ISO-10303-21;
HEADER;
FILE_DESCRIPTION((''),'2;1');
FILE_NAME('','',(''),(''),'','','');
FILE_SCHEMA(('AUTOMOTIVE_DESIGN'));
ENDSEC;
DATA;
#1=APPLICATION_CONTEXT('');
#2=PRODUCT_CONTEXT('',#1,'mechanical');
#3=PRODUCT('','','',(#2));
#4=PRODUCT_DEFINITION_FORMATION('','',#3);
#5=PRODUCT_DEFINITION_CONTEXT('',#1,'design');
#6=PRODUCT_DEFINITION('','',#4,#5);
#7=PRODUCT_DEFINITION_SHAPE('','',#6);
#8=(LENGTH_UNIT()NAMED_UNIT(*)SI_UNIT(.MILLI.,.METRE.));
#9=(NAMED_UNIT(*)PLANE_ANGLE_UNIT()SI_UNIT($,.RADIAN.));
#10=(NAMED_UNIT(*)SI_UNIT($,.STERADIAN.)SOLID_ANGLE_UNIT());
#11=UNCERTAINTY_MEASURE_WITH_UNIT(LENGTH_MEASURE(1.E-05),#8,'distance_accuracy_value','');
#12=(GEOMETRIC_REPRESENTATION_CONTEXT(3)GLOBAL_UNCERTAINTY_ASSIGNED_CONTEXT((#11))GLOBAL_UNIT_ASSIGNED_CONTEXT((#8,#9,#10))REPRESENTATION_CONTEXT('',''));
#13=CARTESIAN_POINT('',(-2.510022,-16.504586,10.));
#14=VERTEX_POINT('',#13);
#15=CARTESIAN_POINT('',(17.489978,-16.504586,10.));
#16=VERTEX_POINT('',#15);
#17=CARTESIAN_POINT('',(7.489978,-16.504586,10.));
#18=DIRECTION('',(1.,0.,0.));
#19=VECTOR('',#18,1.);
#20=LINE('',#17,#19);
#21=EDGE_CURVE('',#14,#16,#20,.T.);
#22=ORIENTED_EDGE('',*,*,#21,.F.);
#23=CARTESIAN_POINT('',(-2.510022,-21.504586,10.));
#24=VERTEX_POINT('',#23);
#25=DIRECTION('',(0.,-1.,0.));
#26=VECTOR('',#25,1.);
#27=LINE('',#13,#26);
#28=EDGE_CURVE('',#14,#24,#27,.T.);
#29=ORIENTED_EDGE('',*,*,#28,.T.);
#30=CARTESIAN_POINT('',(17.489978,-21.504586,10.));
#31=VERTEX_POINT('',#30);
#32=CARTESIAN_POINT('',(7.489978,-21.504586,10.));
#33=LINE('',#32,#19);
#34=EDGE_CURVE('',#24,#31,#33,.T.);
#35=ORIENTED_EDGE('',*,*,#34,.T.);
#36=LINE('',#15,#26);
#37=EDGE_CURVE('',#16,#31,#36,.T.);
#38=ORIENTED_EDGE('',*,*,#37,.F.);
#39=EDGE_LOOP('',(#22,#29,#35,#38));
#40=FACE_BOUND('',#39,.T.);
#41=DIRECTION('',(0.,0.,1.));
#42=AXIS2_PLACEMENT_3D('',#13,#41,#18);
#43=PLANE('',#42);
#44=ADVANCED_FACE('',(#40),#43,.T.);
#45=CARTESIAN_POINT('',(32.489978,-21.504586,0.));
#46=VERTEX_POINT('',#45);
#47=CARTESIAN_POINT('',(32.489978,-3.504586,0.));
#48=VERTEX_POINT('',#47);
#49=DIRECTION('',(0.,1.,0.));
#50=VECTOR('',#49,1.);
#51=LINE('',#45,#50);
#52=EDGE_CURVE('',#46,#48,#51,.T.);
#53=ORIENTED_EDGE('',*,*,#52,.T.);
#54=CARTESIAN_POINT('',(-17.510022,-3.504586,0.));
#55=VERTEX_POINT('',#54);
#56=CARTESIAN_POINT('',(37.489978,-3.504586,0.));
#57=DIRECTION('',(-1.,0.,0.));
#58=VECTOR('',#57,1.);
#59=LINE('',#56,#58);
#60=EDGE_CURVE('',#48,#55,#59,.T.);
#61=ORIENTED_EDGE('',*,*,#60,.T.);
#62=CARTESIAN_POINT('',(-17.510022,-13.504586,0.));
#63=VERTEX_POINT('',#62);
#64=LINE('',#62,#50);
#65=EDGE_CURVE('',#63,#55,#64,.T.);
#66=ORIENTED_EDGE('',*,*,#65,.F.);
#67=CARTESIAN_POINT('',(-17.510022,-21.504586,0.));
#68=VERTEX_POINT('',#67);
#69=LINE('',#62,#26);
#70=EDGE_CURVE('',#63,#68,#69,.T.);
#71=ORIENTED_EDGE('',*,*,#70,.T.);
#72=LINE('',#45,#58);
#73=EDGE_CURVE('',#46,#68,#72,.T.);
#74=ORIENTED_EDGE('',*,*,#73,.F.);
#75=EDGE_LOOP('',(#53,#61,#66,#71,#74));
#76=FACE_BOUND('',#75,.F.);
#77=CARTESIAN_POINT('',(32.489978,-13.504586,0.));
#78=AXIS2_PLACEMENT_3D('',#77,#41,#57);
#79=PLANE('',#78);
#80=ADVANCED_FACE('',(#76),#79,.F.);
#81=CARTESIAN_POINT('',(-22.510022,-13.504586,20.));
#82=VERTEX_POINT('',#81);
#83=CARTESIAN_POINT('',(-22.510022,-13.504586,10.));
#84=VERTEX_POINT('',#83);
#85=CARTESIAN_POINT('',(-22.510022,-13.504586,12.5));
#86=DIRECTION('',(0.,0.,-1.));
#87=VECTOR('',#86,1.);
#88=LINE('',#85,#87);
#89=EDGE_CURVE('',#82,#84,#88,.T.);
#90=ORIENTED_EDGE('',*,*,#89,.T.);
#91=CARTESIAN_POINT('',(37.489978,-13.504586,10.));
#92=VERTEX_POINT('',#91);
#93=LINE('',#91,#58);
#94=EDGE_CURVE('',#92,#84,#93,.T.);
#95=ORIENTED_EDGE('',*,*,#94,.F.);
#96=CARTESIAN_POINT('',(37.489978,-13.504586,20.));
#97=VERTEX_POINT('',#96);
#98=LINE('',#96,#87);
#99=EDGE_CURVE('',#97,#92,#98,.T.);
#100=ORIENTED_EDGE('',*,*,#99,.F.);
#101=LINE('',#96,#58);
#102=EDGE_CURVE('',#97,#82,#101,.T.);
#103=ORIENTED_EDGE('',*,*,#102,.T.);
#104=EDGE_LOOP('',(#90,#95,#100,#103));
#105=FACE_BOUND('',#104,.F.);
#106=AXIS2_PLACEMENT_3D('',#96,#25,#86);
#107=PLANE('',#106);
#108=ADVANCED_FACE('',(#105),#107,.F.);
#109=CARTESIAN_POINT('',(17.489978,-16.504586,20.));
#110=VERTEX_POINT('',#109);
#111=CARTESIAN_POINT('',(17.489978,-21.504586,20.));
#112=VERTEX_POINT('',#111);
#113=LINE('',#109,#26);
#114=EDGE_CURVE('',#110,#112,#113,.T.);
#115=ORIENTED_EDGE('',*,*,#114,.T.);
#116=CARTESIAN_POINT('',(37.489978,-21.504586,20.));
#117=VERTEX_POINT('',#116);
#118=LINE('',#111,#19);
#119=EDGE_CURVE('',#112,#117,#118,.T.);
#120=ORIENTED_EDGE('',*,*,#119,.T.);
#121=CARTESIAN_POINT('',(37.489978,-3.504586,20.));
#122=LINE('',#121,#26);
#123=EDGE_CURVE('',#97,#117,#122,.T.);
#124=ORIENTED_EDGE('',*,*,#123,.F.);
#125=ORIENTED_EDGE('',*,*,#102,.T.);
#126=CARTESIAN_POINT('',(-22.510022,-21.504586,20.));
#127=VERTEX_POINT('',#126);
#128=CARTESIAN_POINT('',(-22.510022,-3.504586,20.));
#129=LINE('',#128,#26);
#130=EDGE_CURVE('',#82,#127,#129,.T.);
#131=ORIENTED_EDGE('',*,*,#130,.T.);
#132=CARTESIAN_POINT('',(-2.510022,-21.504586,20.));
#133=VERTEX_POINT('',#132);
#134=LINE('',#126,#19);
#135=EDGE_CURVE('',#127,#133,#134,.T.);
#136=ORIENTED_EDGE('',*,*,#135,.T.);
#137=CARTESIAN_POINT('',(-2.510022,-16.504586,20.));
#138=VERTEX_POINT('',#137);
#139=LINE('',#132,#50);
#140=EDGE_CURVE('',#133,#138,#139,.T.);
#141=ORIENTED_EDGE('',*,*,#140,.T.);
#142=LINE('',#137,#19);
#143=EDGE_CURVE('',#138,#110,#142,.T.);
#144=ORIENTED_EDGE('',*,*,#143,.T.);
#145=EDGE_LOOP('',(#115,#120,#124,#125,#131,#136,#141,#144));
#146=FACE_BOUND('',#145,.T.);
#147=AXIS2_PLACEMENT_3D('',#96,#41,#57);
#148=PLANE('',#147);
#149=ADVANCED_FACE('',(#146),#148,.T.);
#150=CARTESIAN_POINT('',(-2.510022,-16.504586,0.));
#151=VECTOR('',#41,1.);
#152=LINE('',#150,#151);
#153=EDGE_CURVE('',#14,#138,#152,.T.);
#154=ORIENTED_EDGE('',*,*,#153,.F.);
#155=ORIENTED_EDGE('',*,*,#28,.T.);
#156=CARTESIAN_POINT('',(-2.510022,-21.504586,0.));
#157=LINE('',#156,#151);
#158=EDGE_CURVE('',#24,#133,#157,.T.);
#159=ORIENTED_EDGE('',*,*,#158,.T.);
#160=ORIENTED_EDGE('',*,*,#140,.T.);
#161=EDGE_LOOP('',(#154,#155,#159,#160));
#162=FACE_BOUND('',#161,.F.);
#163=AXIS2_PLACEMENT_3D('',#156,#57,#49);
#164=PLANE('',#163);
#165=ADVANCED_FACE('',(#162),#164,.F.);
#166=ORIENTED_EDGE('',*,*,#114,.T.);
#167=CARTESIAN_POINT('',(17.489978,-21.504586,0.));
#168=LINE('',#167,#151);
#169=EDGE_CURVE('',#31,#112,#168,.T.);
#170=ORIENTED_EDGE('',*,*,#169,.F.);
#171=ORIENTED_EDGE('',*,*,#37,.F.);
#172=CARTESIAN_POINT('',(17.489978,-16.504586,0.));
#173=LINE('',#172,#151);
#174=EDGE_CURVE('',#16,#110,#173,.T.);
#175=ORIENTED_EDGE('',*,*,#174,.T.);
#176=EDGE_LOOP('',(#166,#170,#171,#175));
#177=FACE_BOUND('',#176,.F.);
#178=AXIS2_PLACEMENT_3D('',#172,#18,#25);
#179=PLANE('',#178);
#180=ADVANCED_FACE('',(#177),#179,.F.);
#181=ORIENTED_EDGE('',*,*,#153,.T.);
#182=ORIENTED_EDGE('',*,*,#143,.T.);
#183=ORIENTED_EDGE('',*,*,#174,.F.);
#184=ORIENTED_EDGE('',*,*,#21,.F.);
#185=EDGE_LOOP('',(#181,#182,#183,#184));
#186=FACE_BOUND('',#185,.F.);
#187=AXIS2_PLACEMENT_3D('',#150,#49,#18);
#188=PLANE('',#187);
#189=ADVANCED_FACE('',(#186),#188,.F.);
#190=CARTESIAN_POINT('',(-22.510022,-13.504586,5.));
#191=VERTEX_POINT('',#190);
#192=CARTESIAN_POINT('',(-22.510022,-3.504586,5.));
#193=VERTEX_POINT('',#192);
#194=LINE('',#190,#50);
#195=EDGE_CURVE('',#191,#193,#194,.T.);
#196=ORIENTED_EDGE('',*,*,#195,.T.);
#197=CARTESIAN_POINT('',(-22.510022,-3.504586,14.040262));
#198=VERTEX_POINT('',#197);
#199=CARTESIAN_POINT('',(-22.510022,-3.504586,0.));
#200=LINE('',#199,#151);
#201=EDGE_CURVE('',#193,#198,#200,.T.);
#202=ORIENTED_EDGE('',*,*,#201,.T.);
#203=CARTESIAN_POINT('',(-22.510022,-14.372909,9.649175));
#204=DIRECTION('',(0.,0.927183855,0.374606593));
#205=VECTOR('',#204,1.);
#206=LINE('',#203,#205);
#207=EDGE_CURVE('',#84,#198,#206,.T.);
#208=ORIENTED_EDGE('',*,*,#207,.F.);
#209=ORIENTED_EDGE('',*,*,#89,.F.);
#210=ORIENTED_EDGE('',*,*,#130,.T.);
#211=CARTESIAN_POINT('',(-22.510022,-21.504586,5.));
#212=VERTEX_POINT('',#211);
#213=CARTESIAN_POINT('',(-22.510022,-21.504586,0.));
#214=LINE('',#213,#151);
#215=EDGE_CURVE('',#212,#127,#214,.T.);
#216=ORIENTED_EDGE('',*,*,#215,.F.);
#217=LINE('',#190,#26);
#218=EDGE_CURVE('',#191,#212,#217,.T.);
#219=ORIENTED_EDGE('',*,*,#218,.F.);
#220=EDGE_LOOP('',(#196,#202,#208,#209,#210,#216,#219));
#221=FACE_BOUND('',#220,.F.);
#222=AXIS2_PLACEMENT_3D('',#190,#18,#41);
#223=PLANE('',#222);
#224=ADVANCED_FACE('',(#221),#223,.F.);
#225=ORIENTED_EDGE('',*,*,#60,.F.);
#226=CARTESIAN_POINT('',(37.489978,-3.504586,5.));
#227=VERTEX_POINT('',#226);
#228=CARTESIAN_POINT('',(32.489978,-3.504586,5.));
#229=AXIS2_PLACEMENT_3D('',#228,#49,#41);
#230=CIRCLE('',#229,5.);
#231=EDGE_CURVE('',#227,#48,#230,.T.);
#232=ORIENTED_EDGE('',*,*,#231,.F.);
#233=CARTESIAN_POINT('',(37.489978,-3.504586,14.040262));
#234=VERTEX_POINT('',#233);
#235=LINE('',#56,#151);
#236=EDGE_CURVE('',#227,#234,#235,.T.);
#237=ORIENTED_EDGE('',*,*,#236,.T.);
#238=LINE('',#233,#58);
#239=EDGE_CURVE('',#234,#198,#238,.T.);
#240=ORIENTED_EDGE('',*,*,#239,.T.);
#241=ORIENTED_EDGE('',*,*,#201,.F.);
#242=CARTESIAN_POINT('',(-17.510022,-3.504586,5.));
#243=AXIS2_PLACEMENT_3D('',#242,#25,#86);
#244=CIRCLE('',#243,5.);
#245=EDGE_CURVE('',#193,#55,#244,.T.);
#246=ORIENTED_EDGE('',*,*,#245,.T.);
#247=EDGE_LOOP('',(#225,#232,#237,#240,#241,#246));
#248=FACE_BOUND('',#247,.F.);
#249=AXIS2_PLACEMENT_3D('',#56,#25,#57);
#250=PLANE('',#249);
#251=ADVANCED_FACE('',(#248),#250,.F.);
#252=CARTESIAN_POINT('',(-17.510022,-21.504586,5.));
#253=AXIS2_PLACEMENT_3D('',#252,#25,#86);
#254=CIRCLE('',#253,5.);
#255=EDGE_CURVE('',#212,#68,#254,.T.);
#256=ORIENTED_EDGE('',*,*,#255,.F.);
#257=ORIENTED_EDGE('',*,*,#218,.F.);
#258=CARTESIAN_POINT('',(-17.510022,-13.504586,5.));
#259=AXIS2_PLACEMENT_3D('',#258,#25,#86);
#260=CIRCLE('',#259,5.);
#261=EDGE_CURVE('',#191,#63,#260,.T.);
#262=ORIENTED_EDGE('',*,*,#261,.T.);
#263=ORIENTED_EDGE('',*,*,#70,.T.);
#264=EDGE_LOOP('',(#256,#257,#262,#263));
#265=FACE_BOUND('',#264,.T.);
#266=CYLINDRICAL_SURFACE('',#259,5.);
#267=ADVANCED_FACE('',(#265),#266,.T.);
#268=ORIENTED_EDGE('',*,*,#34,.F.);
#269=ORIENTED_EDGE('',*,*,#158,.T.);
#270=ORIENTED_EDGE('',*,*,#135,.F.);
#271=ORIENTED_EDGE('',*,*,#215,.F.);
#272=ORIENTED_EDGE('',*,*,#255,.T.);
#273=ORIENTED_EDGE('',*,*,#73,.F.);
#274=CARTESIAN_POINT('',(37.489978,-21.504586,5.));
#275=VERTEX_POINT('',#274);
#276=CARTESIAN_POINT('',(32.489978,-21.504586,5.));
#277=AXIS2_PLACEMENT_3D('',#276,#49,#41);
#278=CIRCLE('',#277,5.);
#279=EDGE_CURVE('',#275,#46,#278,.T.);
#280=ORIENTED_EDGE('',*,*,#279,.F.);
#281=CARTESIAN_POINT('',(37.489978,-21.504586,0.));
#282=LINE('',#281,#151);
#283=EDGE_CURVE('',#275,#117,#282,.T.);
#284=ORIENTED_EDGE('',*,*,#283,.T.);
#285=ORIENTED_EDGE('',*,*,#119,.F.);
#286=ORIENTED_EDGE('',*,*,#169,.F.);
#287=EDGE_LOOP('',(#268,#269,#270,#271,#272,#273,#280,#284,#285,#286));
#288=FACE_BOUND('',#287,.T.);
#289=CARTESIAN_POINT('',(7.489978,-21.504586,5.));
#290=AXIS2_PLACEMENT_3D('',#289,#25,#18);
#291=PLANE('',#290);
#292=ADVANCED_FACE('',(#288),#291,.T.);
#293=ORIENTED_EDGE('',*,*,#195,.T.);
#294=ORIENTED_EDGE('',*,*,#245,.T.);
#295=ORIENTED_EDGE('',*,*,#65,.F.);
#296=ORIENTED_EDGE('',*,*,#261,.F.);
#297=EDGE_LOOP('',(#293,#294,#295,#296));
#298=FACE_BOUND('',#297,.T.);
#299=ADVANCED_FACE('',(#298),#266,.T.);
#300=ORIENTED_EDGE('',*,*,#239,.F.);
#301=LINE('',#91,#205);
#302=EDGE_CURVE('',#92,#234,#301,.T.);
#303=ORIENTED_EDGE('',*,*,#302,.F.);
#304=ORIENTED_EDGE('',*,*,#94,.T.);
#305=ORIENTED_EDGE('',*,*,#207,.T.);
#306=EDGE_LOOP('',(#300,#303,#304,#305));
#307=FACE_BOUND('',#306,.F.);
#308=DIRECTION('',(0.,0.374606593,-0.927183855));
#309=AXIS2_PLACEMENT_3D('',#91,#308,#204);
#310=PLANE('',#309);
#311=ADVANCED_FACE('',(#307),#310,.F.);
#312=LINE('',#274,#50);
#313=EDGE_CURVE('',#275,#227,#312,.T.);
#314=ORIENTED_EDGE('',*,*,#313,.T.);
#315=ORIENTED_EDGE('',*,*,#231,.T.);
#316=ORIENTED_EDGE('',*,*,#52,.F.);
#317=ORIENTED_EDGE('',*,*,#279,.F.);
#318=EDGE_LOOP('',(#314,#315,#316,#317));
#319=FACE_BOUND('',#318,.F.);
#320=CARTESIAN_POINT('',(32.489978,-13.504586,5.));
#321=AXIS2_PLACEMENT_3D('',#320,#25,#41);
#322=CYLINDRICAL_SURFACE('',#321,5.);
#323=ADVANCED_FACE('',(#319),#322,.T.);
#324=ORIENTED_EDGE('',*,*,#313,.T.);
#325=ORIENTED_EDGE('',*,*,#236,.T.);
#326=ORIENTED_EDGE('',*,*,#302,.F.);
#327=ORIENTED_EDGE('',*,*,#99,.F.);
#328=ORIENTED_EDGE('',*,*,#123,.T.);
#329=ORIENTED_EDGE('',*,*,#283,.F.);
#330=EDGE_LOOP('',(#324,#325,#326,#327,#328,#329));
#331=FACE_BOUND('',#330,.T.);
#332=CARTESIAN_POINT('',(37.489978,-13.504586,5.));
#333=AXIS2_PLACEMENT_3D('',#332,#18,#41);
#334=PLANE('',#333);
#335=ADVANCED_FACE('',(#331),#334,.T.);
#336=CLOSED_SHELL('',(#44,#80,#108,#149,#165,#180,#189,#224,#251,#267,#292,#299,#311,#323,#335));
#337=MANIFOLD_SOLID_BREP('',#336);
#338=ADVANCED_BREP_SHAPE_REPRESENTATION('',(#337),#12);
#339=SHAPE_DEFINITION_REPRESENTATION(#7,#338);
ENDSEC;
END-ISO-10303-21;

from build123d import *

# Parameters (mm, degrees)
F1_DEPTH = 20
F2_R     = 5
F3_W     = 20
F3_H     = 10
F4_DEPTH = 5
F5_DEPTH = 10
F7_DEPTH = 60.001


with BuildPart() as f1:
    # F0 (on Top) → F1 (new body)
    with BuildSketch(Plane.XY):
        Polygon((17.4899780222, -16.504585755), (17.4899780222, -21.504585755), (37.4899780222, -21.504585755), (37.4899780222, -13.504585755), (-22.5100219778, -13.504585755), (-22.5100219778, -21.504585755), (-2.5100219778, -21.504585755), (-2.5100219778, -16.504585755), align=None)
    extrude(amount=F1_DEPTH)

    # F2
    f2_edges = [f1.edges().sort_by_distance(p)[0] for p in [
        (-22.510022, -17.504586, 0),
        (37.489978, -17.504586, 0),
    ]]
    fillet(f2_edges, radius=F2_R)

    # F3 (on face) → F4 (join)
    with BuildSketch(Plane.XZ.offset(16.504585755)):
        with Locations((7.4899780222, 5)):
            Rectangle(F3_W, F3_H)
    extrude(amount=F4_DEPTH)

    # F5 (add): a face of the model
    f5_faces = [f1.faces().sort_by_distance(p)[0] for p in [
        (7.4899780222, -13.504585755, 10.0801475974),
    ]]
    extrude(f5_faces, amount=F5_DEPTH)

    # F6 (on face) → F7 (cut, through all)
    with BuildSketch(Plane.YZ.offset(37.4899780222)):
        Polygon((-3.504585755, 14.0402622584), (-3.504585755, 20), (-13.504585755, 20), (-13.504585755, 10), align=None)
    extrude(amount=-F7_DEPTH, mode=Mode.SUBTRACT)


solid = f1.part
